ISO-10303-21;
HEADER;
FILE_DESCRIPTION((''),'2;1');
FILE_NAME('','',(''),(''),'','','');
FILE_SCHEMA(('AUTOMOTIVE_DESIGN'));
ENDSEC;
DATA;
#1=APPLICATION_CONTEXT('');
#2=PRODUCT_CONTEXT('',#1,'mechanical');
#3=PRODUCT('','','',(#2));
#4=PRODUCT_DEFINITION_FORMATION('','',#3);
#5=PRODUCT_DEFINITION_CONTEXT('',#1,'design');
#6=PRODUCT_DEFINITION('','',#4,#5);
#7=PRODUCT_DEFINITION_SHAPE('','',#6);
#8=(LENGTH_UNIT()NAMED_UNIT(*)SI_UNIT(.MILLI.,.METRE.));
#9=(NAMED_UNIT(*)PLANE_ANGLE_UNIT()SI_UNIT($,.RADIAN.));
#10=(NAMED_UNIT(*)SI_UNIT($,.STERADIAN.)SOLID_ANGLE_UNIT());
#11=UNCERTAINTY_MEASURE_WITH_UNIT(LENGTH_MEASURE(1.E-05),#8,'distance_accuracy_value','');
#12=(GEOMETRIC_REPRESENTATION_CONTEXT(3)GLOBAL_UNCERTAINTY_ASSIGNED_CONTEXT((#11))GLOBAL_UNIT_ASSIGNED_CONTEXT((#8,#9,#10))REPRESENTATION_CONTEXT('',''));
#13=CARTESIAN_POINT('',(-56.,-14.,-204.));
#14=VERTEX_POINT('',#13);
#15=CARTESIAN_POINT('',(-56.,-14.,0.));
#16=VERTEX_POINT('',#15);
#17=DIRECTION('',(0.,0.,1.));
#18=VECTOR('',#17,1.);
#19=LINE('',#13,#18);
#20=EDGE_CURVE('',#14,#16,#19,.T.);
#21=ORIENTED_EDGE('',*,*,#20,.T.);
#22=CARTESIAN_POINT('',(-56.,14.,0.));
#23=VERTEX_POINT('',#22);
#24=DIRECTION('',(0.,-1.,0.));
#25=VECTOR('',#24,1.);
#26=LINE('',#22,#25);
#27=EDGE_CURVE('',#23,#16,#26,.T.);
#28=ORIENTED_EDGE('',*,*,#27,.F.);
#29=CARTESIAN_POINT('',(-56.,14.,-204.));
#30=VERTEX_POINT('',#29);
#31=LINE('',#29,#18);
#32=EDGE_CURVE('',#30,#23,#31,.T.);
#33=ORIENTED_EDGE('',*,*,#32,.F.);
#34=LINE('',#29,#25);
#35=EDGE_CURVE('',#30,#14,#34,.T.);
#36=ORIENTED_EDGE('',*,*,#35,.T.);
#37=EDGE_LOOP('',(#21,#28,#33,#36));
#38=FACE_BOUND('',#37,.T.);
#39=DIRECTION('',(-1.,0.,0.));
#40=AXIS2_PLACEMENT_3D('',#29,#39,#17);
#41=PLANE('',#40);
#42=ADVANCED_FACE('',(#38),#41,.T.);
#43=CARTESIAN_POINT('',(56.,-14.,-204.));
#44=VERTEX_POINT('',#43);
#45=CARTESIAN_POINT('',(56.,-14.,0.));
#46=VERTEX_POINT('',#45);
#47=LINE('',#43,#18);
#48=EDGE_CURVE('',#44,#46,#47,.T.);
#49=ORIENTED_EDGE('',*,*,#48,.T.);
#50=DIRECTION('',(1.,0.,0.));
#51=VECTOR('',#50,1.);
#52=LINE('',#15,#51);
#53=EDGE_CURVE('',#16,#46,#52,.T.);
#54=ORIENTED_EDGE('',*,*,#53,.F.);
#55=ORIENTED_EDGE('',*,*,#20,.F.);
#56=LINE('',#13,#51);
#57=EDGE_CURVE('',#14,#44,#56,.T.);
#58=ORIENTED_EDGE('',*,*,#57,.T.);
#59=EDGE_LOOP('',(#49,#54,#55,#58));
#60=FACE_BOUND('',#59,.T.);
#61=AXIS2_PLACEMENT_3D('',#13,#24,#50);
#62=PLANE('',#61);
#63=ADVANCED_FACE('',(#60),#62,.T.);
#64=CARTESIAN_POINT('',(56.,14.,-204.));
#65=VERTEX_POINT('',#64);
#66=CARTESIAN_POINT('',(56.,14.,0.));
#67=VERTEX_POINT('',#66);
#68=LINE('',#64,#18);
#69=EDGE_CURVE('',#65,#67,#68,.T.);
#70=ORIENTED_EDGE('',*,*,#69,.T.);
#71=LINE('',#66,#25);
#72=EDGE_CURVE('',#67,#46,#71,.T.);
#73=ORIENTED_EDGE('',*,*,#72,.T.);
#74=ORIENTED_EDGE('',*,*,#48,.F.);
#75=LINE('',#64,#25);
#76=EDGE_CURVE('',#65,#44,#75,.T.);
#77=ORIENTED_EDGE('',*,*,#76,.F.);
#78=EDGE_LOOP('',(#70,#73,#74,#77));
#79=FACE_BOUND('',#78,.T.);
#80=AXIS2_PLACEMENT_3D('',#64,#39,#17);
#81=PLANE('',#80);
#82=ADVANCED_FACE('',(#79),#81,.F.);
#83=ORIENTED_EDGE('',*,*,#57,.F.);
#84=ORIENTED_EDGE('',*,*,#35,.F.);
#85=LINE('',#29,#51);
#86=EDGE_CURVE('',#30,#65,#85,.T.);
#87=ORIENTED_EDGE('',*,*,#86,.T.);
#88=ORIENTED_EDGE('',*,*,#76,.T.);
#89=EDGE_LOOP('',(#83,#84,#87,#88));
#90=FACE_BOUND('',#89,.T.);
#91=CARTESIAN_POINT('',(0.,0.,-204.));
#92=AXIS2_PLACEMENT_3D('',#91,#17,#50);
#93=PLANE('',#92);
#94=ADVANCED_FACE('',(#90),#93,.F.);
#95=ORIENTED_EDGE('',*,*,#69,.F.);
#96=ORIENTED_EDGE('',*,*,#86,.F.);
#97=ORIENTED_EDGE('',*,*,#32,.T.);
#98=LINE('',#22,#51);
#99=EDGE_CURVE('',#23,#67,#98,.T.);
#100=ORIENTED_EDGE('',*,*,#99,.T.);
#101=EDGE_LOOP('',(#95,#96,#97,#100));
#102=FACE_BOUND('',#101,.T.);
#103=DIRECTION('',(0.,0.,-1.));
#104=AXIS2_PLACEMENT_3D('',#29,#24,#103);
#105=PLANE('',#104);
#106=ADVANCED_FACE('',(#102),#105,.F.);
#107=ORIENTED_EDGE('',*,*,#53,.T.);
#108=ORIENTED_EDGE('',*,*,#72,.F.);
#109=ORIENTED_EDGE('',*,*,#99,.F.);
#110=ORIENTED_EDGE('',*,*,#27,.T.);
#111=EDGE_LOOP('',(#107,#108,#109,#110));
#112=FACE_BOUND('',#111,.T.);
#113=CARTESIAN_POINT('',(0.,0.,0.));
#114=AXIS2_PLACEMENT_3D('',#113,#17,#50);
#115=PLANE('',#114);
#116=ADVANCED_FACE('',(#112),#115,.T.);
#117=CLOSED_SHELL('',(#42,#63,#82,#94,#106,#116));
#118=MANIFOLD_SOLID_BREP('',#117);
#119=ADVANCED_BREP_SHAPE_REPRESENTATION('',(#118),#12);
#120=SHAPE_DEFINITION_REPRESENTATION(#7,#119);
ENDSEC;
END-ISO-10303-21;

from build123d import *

# Parameters (mm, degrees)
SKETCH1_W           = 112
SKETCH1_H           = 28
BOSS_EXTRUDE2_DEPTH = 204


with BuildPart() as part:
    # Sketch1 → Boss-Extrude2 (new body)
    with BuildSketch(Plane.XY):
        Rectangle(SKETCH1_W, SKETCH1_H)
    extrude(amount=-BOSS_EXTRUDE2_DEPTH)


solid = part.part
